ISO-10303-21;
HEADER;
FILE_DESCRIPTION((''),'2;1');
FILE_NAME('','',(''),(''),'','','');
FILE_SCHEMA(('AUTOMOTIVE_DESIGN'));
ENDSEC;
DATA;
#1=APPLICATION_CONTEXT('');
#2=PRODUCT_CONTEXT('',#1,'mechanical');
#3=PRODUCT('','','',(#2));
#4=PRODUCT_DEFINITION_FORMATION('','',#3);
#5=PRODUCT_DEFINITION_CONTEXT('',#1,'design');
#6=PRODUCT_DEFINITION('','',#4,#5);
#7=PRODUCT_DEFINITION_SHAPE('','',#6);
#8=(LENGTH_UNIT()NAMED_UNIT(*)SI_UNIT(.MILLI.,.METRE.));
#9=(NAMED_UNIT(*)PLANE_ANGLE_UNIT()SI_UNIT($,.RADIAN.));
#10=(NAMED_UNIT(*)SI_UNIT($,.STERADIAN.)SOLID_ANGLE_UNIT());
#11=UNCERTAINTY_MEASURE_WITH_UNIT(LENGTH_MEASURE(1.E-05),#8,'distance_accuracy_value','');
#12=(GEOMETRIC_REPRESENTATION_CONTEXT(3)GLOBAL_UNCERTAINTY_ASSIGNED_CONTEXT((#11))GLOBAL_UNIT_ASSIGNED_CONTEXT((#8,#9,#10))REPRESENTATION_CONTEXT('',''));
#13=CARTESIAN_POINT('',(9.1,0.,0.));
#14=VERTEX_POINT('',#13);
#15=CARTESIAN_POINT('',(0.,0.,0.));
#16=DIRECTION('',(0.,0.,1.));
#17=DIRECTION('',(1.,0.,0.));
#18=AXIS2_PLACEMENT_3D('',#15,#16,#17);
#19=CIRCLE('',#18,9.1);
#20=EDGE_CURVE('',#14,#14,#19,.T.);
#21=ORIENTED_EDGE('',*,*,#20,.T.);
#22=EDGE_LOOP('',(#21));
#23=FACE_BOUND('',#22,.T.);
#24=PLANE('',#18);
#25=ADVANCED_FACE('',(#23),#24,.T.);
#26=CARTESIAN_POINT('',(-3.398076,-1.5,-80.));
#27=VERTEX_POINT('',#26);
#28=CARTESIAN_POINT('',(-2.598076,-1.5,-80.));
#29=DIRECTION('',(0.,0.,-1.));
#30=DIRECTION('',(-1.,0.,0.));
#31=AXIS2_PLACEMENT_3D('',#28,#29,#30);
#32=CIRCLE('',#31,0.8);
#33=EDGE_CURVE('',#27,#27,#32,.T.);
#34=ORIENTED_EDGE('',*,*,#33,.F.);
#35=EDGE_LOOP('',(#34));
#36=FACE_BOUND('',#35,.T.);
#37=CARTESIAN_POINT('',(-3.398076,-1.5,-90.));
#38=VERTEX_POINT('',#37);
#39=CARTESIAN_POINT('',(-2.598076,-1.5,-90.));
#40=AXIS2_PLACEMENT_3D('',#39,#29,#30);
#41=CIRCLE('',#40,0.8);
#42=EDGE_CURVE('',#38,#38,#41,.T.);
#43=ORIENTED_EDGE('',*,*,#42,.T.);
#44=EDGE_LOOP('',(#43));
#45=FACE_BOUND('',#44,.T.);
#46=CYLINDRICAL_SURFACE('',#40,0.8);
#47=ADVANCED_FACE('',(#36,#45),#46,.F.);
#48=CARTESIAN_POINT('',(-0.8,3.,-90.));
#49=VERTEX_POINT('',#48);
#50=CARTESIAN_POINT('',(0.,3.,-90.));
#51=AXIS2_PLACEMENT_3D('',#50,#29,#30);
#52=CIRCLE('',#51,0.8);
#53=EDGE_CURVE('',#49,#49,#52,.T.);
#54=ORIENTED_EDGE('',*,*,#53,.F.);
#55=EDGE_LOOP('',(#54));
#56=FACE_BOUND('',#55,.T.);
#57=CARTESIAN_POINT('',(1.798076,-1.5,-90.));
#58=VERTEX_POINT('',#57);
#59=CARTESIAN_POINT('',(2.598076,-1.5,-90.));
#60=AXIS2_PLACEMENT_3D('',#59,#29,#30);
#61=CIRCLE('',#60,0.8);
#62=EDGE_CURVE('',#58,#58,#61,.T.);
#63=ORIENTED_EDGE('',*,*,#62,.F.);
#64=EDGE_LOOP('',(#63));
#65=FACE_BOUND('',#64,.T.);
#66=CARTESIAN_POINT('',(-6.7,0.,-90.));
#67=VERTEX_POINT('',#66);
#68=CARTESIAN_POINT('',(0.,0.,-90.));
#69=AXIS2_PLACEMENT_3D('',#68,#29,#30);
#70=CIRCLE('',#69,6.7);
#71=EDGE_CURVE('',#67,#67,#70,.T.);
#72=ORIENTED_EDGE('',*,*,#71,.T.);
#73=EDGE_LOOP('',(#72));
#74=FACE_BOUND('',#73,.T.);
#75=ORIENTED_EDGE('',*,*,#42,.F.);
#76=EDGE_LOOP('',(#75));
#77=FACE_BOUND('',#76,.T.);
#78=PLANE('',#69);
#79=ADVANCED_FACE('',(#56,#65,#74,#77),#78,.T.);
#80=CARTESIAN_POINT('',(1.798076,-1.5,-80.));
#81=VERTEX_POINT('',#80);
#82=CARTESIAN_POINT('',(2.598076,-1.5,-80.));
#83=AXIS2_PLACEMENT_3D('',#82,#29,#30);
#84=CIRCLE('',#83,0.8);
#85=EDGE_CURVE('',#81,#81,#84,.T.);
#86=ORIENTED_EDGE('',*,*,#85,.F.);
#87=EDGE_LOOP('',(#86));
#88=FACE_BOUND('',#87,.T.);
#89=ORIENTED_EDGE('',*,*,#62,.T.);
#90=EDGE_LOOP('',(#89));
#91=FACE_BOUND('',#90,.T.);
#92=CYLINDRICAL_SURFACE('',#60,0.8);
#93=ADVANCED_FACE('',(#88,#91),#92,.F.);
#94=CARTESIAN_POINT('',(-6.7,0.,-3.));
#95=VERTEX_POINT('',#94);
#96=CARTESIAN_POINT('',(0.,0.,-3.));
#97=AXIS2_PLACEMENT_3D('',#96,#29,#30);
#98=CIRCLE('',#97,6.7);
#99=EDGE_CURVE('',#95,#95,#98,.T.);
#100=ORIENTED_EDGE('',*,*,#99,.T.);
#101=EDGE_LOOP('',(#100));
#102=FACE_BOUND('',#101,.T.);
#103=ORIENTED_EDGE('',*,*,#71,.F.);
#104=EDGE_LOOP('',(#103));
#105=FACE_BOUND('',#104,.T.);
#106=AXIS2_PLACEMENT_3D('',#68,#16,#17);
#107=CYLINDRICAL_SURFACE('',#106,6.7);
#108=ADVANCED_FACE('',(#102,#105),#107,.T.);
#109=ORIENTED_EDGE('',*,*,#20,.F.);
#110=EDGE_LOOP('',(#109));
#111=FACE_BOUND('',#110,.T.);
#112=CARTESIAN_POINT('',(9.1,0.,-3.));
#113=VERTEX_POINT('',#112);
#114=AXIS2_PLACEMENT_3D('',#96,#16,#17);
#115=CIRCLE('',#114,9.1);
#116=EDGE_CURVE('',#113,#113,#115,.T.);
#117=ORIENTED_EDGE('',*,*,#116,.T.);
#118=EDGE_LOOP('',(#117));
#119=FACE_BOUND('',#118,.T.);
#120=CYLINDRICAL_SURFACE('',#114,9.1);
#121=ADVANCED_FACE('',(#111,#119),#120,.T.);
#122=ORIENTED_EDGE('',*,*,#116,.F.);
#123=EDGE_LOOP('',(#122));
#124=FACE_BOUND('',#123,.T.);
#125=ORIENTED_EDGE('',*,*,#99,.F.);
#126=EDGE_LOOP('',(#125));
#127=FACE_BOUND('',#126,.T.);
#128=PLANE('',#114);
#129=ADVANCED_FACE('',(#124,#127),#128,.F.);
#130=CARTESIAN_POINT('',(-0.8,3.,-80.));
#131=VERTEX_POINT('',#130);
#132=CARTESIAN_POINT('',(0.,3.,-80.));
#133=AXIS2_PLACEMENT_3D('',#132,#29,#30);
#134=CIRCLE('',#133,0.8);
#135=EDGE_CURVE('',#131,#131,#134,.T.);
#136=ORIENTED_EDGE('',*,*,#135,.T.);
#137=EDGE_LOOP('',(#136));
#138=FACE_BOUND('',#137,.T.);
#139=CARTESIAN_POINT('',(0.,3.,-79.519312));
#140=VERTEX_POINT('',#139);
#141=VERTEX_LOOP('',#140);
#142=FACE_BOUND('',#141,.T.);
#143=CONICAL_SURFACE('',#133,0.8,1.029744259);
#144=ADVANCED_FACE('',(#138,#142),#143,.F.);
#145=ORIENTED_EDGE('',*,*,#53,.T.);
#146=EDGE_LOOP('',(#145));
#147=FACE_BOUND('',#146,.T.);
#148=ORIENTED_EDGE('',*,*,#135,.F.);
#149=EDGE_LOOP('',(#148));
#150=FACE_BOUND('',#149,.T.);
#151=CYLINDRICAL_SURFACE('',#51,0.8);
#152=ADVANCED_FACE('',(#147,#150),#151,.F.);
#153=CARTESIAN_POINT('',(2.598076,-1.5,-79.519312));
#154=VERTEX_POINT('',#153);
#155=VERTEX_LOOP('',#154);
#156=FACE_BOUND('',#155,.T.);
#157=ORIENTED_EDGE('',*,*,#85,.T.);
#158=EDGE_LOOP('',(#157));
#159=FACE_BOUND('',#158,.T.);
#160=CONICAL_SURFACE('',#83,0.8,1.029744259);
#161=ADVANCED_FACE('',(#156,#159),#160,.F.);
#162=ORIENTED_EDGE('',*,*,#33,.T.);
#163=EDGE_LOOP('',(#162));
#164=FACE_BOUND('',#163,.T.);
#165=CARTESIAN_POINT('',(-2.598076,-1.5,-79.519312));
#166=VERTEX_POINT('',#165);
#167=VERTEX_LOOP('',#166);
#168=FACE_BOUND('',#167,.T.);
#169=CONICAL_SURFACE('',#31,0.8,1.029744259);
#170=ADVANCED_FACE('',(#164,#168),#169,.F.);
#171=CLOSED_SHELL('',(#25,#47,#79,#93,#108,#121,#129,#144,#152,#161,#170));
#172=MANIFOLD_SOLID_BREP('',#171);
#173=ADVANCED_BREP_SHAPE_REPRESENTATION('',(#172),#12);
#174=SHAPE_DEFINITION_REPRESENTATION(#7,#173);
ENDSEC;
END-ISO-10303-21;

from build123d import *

# Parameters (mm, degrees)
ESBO_O1_R                 = 9.1
RESSALTO_EXTRUS_O1_DEPTH  = 3
ESBO_O2_R                 = 6.7
RESSALTO_EXTRUS_O2_DEPTH  = 87
FURO_ROSCADO_DE_M21_D     = 1.6
FURO_ROSCADO_DE_M21_DEPTH = 10
FURO_ROSCADO_DE_M21_TIP   = 0.480688495


with BuildPart() as part:
    # Esboço1 → Ressalto-extrusão1 (new body)
    with BuildSketch(Plane.XY):
        Circle(ESBO_O1_R)
    extrude(amount=-RESSALTO_EXTRUS_O1_DEPTH)

    # Esboço2 → Ressalto-extrusão2 (add)
    with BuildSketch(Plane(origin=(0, 0, -3), x_dir=(-1, 0, 0), z_dir=(0, 0, -1))):
        Circle(ESBO_O2_R)
    extrude(amount=RESSALTO_EXTRUS_O2_DEPTH)

    # Furo roscado de M21
    with Locations(Plane(origin=(0, 0, -90), x_dir=(-1, 0, 0), z_dir=(0, 0, -1))):
        with Locations((-2.598076211, -1.5), (0, 3), (2.598076211, -1.5)):
            Hole(FURO_ROSCADO_DE_M21_D / 2, depth=FURO_ROSCADO_DE_M21_DEPTH)
            with Locations((0, 0, -(FURO_ROSCADO_DE_M21_DEPTH + FURO_ROSCADO_DE_M21_TIP / 2))):  # 118° drill point
                Cone(0, FURO_ROSCADO_DE_M21_D / 2, FURO_ROSCADO_DE_M21_TIP, mode=Mode.SUBTRACT)


solid = part.part
